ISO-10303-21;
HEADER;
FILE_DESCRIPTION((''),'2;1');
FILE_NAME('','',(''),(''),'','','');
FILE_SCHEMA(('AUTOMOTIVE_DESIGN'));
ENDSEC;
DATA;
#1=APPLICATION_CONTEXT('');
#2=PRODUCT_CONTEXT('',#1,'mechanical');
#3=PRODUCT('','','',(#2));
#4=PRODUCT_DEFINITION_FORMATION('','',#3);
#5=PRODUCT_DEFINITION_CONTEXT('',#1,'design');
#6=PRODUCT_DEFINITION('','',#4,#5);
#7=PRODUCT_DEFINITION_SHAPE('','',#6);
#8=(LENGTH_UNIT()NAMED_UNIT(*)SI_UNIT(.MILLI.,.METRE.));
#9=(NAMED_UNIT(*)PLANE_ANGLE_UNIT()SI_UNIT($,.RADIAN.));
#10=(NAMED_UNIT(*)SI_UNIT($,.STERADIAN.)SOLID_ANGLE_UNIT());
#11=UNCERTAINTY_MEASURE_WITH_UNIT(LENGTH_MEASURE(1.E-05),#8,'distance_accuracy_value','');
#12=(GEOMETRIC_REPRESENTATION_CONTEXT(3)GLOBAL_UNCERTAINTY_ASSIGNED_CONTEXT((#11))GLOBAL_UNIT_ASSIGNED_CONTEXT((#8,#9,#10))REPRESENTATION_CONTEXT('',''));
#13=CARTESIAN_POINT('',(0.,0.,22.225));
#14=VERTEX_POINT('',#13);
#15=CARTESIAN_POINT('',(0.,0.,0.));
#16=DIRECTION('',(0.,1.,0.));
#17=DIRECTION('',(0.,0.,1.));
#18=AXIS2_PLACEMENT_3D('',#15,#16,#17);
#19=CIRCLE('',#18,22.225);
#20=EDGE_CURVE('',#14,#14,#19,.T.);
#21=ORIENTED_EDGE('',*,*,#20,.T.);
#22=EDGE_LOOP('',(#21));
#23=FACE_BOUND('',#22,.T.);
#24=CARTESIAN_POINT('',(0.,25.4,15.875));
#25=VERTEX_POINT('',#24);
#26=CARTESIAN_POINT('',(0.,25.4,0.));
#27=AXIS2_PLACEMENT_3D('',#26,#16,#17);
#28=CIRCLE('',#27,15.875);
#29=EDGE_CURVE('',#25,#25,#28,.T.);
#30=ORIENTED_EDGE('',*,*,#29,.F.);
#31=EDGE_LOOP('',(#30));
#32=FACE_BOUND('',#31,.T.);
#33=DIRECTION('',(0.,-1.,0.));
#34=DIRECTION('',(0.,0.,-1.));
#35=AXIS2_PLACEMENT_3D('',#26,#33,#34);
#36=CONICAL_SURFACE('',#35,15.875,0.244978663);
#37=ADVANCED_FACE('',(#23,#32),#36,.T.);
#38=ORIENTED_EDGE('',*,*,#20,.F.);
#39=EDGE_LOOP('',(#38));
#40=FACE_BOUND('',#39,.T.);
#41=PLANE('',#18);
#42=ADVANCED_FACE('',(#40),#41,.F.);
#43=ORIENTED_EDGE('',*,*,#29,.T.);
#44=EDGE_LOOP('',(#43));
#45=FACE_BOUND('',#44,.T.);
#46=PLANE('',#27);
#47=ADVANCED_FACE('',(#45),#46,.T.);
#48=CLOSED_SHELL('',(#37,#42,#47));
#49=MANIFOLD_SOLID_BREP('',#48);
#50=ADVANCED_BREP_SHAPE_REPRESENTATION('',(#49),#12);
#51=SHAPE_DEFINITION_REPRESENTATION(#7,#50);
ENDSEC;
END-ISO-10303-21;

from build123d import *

# Parameters (mm, degrees)
SKETCH1_R = 22.225
SKETCH2_R = 15.875


with BuildPart() as part:
    # Sketch1 → Loft1 section 0
    with BuildSketch(Plane(origin=(0, 0, 0), x_dir=(1, 0, 0), z_dir=(0, 1, 0))):
        Circle(SKETCH1_R)
    # Sketch2 → Loft1 section 1
    with BuildSketch(Plane(origin=(0, 25.4, 0), x_dir=(1, 0, 0), z_dir=(0, 1, 0))):
        Circle(SKETCH2_R)
    loft()


solid = part.part
